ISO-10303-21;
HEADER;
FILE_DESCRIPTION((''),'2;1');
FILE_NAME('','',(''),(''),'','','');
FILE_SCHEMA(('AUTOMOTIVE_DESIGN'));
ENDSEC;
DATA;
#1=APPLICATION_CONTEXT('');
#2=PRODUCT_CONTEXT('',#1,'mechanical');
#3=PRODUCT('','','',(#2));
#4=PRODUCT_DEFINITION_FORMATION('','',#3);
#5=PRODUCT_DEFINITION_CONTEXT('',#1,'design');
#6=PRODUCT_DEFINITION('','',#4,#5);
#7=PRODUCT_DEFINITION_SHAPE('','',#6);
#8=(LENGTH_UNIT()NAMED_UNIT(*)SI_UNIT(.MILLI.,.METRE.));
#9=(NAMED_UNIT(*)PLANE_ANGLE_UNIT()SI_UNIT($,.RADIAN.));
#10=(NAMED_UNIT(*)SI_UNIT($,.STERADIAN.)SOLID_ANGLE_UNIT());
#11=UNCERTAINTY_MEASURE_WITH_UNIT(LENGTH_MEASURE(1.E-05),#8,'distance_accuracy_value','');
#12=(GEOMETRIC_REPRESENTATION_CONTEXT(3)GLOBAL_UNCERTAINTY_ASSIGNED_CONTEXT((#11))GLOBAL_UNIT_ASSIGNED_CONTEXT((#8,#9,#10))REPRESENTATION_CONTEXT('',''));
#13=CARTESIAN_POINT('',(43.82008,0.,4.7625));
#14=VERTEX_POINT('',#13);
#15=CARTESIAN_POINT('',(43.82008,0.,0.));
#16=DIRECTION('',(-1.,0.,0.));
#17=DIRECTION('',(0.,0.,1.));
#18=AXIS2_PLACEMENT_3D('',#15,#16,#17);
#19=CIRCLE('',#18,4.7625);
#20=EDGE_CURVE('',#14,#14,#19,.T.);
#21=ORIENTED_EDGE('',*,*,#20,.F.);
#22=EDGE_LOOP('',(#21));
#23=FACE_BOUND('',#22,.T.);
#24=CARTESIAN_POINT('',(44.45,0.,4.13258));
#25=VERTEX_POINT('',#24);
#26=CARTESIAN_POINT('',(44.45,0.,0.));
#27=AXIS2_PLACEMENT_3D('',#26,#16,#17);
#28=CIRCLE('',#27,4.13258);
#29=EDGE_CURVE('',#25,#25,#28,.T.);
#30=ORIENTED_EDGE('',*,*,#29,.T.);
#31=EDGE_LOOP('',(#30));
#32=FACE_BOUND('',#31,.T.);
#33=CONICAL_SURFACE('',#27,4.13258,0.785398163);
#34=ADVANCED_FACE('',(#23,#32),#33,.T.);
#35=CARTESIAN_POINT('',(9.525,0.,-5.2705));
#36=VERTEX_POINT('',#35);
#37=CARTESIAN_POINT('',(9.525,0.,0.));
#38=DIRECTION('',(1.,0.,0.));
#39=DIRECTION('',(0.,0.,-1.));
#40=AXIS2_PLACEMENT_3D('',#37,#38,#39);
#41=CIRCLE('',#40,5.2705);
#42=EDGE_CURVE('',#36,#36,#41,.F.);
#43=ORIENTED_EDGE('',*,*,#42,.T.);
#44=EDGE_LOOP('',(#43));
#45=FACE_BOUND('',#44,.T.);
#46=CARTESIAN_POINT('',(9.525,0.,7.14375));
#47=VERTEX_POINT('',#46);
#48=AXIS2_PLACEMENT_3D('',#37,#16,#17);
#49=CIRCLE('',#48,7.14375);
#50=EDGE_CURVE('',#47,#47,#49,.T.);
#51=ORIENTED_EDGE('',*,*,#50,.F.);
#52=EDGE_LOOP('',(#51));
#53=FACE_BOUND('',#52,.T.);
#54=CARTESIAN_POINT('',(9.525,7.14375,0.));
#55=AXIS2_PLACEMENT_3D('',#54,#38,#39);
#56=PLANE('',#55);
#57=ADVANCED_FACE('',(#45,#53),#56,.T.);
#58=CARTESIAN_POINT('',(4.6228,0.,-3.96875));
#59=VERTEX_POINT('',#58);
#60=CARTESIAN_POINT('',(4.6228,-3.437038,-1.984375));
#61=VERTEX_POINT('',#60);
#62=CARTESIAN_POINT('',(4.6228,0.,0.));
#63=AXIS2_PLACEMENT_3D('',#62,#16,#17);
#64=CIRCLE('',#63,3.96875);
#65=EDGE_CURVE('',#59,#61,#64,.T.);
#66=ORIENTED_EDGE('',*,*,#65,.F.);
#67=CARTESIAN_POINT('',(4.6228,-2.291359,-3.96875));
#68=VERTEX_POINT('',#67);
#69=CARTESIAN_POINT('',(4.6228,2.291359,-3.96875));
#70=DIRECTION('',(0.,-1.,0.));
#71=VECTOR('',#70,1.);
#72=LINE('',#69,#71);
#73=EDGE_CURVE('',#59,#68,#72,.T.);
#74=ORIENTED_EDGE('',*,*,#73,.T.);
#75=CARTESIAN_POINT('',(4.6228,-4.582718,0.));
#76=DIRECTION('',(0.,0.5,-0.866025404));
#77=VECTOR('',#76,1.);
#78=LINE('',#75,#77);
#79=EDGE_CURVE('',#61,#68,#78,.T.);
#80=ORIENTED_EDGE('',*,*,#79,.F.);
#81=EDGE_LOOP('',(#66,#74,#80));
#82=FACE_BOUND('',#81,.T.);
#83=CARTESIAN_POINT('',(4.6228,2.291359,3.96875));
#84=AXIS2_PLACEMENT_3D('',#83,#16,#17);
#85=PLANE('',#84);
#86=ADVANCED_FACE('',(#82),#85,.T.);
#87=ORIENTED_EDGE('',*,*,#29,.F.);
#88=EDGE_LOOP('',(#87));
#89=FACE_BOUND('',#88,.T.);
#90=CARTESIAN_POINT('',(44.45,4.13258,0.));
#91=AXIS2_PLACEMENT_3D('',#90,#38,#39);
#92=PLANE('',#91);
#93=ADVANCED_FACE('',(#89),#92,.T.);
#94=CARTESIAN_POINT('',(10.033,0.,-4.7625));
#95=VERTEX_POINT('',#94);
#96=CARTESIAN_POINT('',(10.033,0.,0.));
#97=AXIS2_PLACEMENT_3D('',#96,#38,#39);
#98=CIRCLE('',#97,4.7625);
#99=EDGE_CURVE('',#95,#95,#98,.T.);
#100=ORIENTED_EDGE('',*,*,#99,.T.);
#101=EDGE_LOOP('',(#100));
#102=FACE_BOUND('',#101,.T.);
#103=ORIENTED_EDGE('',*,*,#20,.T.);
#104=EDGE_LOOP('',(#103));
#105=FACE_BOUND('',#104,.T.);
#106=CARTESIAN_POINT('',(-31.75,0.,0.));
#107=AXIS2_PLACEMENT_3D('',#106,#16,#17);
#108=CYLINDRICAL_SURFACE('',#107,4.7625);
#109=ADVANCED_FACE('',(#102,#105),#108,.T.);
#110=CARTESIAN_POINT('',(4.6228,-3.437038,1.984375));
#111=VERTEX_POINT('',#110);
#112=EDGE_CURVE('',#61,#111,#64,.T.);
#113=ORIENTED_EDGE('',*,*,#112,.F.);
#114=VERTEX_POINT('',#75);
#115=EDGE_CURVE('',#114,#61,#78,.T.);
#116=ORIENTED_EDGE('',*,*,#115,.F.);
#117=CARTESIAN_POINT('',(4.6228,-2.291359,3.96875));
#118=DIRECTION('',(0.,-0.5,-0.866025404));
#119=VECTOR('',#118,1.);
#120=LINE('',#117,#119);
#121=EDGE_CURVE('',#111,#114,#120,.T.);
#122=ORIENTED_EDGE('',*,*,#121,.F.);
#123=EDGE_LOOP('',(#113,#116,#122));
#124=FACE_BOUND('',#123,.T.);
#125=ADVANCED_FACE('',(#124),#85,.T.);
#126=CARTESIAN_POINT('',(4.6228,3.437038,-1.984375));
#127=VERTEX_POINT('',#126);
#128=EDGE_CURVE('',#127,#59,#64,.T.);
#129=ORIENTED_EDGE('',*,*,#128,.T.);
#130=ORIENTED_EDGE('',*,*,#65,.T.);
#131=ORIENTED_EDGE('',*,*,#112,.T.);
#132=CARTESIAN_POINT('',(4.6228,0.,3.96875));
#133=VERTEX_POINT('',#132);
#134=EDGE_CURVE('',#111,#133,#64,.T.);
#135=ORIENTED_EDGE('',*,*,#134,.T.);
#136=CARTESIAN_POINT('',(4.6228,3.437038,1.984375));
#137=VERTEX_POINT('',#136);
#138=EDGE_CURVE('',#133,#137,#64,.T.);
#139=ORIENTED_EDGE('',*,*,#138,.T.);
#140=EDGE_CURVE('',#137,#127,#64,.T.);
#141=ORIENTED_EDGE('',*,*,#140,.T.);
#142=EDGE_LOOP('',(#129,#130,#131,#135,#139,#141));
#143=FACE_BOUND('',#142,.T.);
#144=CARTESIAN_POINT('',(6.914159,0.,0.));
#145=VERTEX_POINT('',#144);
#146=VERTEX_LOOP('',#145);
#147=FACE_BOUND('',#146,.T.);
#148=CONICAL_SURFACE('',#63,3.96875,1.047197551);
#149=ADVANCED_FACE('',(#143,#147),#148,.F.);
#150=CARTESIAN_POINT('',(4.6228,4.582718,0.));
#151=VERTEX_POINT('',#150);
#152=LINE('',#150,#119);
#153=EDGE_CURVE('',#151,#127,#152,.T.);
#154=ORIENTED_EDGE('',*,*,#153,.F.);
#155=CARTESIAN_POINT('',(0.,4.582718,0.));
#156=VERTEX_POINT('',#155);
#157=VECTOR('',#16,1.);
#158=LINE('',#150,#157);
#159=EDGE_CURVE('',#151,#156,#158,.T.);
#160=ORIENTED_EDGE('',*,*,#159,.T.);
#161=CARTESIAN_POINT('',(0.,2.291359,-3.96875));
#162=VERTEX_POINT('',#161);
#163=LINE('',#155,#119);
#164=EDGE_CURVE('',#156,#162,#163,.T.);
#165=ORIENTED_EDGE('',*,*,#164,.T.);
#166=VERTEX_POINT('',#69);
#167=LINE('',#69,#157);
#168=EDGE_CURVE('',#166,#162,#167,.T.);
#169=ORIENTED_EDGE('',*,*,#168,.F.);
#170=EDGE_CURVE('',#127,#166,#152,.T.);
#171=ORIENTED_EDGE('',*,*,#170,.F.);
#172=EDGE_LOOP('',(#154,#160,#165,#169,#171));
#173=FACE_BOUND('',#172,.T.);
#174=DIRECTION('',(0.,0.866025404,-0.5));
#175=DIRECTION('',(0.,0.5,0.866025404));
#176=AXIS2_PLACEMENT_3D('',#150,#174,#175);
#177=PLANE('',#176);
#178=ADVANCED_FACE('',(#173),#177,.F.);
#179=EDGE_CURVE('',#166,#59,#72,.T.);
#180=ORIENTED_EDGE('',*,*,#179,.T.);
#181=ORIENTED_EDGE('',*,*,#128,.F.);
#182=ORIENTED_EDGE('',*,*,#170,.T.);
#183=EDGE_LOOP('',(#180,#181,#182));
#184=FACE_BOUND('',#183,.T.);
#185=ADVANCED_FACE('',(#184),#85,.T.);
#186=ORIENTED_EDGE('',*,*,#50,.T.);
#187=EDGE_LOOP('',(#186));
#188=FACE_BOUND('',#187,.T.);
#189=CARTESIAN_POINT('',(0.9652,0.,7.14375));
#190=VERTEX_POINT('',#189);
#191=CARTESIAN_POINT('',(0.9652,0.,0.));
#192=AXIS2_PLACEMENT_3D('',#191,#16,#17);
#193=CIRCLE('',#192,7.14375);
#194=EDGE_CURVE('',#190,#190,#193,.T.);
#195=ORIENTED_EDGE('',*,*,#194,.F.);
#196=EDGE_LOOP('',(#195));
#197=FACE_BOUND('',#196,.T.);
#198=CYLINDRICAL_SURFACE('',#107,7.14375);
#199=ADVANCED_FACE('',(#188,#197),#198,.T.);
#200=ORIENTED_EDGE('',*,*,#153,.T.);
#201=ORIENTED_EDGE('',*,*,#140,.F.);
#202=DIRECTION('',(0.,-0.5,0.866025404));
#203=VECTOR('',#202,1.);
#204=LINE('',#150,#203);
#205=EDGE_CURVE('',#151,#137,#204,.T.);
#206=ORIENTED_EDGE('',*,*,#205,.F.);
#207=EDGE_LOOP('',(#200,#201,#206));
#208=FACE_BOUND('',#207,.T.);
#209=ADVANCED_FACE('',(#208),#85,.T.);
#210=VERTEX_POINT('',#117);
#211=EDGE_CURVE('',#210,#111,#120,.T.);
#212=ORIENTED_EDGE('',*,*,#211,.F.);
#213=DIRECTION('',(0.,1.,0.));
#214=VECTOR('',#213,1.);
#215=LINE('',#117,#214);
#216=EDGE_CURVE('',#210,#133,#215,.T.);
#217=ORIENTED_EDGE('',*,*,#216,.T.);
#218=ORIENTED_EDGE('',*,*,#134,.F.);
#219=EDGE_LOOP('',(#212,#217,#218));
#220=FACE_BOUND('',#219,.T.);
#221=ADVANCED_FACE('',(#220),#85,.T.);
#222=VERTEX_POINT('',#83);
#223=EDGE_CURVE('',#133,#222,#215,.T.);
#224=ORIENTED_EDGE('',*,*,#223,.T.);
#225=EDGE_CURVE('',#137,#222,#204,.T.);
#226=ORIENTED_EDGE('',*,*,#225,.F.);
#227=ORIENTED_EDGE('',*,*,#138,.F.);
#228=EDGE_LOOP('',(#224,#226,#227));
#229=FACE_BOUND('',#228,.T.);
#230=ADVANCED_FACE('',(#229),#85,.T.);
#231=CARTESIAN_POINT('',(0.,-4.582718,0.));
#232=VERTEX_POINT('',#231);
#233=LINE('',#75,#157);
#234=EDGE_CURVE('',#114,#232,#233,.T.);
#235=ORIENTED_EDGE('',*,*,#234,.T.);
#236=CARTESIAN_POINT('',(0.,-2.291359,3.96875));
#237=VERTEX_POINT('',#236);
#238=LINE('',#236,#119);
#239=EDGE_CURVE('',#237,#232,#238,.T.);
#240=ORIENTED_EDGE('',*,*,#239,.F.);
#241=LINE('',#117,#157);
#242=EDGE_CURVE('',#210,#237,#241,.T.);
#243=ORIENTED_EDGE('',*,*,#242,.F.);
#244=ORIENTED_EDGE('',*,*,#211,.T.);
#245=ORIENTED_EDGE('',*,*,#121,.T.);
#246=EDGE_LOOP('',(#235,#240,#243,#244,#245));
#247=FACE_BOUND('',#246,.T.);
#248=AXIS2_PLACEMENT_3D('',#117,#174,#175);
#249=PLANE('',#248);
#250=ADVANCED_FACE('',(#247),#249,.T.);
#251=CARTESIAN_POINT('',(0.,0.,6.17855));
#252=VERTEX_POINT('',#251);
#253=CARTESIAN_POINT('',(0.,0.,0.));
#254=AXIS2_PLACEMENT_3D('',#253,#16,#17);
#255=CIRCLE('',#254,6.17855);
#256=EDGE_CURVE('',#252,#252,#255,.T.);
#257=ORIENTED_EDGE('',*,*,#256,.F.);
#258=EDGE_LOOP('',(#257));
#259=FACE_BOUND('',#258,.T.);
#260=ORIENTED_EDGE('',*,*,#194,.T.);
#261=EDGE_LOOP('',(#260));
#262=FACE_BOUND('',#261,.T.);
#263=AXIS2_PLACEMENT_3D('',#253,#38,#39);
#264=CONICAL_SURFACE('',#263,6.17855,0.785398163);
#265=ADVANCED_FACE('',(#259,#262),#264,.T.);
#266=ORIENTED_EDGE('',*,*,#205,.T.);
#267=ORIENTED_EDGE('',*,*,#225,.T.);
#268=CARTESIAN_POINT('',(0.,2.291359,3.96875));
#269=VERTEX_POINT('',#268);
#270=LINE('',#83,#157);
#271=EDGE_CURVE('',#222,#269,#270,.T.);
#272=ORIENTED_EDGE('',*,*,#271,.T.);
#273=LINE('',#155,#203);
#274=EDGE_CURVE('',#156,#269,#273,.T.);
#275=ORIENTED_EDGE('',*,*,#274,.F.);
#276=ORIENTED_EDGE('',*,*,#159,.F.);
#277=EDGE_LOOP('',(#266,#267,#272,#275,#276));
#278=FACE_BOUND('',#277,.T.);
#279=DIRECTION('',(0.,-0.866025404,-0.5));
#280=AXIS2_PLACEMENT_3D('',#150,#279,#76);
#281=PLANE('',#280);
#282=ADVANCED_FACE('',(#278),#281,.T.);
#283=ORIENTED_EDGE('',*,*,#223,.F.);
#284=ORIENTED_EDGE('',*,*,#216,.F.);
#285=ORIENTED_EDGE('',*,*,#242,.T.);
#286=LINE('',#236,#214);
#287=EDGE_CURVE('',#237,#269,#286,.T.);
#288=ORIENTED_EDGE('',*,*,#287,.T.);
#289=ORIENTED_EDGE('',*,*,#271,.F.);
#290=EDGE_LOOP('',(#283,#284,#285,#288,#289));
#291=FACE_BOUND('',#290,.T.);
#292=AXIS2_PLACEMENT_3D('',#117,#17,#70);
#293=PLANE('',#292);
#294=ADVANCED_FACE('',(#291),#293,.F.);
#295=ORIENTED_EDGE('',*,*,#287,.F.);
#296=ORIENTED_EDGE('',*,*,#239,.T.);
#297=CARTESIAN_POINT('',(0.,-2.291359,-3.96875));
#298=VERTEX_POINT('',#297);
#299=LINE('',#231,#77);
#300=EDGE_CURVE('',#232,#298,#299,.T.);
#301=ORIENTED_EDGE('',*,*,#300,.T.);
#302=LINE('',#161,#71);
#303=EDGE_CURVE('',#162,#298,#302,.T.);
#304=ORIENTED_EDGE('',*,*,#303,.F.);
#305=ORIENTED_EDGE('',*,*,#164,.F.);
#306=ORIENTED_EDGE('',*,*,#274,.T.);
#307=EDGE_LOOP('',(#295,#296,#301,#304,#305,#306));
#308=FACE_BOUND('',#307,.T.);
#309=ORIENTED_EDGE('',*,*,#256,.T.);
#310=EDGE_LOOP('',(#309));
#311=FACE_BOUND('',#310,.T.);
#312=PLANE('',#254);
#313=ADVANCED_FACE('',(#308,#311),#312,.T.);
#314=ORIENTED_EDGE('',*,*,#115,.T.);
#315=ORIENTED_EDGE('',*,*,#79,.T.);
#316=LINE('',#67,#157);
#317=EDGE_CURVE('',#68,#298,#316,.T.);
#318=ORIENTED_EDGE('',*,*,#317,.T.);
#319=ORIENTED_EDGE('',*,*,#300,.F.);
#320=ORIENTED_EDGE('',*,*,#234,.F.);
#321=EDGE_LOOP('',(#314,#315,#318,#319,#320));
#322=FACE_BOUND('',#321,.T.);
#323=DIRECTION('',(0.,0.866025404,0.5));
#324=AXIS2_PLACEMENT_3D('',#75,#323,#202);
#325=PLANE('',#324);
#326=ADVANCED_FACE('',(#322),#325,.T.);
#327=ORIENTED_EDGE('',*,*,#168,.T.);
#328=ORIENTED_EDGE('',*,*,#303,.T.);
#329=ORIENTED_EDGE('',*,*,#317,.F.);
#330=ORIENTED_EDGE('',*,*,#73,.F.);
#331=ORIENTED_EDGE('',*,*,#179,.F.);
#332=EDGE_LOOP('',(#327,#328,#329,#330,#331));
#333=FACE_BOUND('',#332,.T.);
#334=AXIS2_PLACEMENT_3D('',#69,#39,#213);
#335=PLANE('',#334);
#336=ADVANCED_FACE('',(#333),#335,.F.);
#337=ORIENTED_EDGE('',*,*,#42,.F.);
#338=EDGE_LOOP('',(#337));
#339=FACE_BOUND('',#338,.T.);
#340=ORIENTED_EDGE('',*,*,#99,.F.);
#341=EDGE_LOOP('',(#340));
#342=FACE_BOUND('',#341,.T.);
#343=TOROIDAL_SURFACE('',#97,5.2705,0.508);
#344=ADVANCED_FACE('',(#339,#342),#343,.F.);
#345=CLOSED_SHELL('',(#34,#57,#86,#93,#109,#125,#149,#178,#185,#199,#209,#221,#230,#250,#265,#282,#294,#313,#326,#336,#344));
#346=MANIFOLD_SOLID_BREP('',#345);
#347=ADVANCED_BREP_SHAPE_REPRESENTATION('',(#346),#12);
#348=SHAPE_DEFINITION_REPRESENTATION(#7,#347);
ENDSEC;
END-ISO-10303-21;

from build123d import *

# Parameters (mm, degrees)
FILLET1_R   = 0.508
HEX_2_DEPTH = 4.6228


with BuildPart() as part:
    # BodySke → Base-Revolve (revolve)
    with BuildSketch(Plane.XY, mode=Mode.PRIVATE) as base_revolve_sk:
        Polygon((0, 0), (0, 6.17855), (0.9652, 7.14375), (9.525, 7.14375), (9.525, 4.7625), (43.82008, 4.7625), (44.45, 4.13258), (44.45, 0), align=None)
    revolve(base_revolve_sk.sketch.rotate(Axis((-31.75, 0, 0), (1, 0, 0)), 90), axis=Axis((-31.75, 0, 0), (1, 0, 0)))

    # Fillet1
    fillet1_edges = [part.edges().sort_by_distance(p)[0] for p in [
        (9.525, 0, -4.7625),
    ]]
    fillet(fillet1_edges, radius=FILLET1_R)

    # Sketch2 → Hex-PreBroach (revolve, cut)
    with BuildSketch(Plane.XY, mode=Mode.PRIVATE) as hex_prebroach_sk:
        Polygon((0, 3.96875), (4.6228, 3.96875), (6.914158881, 0), (0, 0), align=None)
    revolve(hex_prebroach_sk.sketch.rotate(Axis((0, 0, 0), (1, 0, 0)), 90), axis=Axis((0, 0, 0), (1, 0, 0)), mode=Mode.SUBTRACT)

    # Sketch3 → Hex 2 (cut)
    with BuildSketch(Plane(origin=(0, 0, 0), x_dir=(0, 0.500000000000001, 0.866025403784438), z_dir=(-1, 0, 0))):
        Polygon((2.291358881, 3.96875), (-2.291358881, 3.96875), (-4.582717762, 0), (-2.291358881, -3.96875), (2.291358881, -3.96875), (4.582717762, 0), align=None)
    extrude(amount=-HEX_2_DEPTH, mode=Mode.SUBTRACT)


solid = part.part
